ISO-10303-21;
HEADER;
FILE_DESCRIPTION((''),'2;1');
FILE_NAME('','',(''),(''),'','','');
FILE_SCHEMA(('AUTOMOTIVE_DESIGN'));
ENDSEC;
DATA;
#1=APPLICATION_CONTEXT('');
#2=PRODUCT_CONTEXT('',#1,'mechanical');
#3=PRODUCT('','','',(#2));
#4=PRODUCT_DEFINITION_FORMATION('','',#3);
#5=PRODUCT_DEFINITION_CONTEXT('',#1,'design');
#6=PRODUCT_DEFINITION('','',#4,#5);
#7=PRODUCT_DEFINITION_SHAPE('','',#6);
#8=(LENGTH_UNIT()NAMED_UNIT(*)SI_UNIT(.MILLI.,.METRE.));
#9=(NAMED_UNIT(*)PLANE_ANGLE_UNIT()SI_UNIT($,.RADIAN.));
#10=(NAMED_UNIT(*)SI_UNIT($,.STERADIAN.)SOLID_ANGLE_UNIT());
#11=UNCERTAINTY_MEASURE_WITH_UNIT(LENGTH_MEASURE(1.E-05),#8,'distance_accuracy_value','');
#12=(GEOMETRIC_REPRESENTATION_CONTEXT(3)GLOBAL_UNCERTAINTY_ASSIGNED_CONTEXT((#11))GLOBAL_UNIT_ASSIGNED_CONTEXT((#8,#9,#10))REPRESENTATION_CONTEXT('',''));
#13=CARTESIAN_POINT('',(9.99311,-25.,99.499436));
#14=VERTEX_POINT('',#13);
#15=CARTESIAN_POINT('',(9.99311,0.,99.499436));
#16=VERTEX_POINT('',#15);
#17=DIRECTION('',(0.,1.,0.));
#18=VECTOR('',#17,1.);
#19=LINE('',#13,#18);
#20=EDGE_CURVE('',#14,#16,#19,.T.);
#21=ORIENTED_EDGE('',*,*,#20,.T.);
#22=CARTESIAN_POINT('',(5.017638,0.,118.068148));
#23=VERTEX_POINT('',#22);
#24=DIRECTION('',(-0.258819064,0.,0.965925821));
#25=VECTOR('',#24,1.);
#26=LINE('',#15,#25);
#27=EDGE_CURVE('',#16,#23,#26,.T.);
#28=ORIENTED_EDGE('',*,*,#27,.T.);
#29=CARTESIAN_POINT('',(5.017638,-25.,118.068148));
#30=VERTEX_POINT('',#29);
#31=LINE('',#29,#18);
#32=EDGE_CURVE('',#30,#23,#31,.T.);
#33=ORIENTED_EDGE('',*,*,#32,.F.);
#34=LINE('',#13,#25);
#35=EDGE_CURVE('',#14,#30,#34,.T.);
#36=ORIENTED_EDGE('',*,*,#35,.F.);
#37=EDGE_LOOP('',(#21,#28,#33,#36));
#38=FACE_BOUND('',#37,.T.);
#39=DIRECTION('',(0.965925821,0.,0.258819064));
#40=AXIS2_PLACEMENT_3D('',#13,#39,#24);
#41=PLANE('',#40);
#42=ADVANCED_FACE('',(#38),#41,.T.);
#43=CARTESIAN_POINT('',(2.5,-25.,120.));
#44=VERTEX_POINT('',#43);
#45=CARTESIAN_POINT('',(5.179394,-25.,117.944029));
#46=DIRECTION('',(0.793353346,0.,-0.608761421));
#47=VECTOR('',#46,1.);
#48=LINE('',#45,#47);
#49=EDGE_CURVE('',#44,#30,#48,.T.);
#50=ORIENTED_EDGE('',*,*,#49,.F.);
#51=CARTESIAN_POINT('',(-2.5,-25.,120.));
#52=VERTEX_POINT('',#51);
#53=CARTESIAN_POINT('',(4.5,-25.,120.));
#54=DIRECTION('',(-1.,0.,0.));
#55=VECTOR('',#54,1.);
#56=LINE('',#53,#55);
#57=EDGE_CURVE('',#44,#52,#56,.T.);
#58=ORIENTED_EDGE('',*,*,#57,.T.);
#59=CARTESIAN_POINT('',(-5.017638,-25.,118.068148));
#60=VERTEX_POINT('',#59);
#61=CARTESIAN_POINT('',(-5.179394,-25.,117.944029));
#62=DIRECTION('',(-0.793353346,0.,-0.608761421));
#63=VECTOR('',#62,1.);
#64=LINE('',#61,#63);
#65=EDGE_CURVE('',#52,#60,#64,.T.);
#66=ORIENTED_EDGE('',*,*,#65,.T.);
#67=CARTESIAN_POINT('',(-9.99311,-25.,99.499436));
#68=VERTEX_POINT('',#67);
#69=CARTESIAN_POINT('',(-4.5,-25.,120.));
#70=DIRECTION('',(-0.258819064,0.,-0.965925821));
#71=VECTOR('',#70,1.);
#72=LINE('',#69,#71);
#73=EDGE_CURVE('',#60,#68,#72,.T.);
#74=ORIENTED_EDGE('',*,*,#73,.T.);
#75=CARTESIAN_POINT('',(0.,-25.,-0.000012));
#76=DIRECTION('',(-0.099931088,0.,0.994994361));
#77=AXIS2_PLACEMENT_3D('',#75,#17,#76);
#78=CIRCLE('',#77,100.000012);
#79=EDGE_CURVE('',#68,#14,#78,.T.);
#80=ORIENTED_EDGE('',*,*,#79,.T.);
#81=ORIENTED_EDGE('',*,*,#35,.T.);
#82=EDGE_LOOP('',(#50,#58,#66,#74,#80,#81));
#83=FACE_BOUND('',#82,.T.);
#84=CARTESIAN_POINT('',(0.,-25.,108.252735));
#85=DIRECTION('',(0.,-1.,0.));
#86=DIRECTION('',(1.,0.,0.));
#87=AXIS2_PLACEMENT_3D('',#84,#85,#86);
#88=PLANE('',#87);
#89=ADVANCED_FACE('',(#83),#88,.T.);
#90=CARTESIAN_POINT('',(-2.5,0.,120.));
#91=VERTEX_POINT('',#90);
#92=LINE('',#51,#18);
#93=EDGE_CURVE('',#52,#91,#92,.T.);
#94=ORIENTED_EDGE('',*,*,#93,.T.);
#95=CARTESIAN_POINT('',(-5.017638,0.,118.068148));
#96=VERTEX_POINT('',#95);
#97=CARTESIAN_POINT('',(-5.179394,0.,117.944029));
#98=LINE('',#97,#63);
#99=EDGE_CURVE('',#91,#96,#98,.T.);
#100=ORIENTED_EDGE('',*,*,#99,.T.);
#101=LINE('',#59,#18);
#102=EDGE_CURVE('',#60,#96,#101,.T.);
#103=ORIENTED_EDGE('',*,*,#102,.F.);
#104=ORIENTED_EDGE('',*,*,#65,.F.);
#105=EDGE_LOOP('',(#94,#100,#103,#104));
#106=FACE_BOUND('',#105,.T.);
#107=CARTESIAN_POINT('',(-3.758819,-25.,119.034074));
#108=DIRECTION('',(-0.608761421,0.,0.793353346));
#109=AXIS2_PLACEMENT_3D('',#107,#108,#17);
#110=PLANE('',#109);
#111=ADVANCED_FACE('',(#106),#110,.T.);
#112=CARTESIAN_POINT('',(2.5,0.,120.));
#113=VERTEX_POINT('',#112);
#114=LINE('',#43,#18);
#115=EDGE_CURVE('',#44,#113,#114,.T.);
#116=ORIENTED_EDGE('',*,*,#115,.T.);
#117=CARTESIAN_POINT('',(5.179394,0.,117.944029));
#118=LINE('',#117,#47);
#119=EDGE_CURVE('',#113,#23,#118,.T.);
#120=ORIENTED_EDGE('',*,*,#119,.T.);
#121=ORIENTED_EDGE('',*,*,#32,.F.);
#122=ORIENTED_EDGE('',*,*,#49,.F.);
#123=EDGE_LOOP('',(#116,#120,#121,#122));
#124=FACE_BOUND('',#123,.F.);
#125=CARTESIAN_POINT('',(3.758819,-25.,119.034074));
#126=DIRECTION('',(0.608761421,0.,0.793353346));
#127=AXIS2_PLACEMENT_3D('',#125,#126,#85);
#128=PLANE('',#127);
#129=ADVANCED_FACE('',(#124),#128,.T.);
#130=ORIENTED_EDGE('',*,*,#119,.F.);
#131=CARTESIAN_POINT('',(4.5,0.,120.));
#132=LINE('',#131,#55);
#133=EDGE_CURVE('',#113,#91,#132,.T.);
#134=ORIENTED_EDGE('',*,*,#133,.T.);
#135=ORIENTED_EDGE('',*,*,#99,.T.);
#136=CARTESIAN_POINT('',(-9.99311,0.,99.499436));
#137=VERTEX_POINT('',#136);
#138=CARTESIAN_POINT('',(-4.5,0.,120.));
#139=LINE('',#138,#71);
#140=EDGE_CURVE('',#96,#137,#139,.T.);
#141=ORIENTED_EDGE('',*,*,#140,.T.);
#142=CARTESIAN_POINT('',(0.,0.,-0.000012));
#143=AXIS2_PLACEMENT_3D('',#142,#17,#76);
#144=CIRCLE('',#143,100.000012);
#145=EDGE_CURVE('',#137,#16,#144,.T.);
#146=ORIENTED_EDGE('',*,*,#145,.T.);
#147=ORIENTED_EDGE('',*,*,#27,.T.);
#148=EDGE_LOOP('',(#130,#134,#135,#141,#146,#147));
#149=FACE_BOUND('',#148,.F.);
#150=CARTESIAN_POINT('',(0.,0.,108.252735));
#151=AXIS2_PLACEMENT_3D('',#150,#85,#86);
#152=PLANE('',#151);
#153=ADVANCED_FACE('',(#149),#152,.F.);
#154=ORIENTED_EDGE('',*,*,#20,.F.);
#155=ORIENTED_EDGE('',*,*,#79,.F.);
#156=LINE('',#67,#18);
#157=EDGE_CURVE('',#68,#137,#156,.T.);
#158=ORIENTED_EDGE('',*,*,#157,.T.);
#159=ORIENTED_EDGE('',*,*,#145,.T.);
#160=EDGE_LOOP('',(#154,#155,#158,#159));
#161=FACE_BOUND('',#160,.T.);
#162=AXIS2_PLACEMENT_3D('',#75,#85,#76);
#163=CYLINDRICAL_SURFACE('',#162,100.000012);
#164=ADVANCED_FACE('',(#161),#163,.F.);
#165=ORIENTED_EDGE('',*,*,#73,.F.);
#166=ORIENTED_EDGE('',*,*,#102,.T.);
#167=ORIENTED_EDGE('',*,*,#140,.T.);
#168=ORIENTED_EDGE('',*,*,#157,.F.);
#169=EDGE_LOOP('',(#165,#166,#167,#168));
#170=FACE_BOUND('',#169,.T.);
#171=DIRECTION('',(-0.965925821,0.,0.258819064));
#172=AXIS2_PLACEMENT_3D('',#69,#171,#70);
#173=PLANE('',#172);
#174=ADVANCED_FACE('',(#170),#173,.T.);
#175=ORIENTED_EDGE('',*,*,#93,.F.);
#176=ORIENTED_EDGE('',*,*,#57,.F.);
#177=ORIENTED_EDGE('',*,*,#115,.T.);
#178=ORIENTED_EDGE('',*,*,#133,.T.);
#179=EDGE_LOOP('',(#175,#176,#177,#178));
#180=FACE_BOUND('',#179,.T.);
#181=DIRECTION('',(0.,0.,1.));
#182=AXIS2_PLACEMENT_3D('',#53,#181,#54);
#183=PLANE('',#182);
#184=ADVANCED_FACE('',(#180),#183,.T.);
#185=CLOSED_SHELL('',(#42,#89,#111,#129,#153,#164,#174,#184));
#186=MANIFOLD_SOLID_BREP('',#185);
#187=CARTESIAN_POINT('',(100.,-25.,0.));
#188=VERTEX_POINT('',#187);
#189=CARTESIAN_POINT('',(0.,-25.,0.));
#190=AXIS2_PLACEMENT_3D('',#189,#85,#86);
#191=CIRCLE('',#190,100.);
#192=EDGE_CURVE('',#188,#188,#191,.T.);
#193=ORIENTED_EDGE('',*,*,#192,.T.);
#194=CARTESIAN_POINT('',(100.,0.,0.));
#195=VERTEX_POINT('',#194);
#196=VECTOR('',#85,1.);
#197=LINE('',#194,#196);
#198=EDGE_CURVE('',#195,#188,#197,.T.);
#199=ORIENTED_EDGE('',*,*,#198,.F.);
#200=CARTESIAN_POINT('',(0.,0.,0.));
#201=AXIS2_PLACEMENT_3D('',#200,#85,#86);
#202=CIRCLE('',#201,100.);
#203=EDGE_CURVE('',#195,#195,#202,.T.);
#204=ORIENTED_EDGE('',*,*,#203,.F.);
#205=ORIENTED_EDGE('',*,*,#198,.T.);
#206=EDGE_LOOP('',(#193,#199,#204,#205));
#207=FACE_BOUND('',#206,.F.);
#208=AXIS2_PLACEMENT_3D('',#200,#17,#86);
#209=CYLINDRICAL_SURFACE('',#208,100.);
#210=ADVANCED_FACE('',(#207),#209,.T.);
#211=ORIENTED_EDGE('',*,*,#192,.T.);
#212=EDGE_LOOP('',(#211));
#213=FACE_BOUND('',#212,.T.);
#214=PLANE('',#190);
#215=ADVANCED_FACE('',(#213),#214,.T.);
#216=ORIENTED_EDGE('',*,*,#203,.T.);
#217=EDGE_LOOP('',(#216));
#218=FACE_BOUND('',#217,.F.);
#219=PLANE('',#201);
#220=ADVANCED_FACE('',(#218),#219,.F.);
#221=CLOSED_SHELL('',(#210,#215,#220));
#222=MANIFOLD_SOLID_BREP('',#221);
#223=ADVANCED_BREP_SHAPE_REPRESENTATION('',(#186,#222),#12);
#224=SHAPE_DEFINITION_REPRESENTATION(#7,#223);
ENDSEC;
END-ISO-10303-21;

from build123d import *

# Parameters (mm, degrees)
F0_R     = 100
F1_DEPTH = 25
F3_DEPTH = 25
F4_SIZE  = 2


with BuildPart() as f1:
    # F0 (on Front) → F1 (new body)
    with BuildSketch(Plane.XZ):
        Circle(F0_R)
    extrude(amount=F1_DEPTH)


with BuildPart() as f3:
    # F2 (on face) → F3 (new body)
    with BuildSketch(Plane.XZ.offset(25)):
        with BuildLine():
            Line((4.5, 120), (-4.5, 120))
            Line((-4.5, 120), (-9.99311, 99.499436))
            ThreePointArc((-9.99311, 99.499436), (0, 100), (9.99311, 99.499436))
            Line((9.99311, 99.499436), (4.5, 120))
        make_face()
    extrude(amount=-F3_DEPTH)

    # F4
    f4_edges = [f3.edges().sort_by_distance(p)[0] for p in [
        (4.5, -12.5, 120),
        (-4.5, -12.5, 120),
    ]]
    chamfer(f4_edges, length=F4_SIZE)


solid = Compound([f1.part, f3.part])
